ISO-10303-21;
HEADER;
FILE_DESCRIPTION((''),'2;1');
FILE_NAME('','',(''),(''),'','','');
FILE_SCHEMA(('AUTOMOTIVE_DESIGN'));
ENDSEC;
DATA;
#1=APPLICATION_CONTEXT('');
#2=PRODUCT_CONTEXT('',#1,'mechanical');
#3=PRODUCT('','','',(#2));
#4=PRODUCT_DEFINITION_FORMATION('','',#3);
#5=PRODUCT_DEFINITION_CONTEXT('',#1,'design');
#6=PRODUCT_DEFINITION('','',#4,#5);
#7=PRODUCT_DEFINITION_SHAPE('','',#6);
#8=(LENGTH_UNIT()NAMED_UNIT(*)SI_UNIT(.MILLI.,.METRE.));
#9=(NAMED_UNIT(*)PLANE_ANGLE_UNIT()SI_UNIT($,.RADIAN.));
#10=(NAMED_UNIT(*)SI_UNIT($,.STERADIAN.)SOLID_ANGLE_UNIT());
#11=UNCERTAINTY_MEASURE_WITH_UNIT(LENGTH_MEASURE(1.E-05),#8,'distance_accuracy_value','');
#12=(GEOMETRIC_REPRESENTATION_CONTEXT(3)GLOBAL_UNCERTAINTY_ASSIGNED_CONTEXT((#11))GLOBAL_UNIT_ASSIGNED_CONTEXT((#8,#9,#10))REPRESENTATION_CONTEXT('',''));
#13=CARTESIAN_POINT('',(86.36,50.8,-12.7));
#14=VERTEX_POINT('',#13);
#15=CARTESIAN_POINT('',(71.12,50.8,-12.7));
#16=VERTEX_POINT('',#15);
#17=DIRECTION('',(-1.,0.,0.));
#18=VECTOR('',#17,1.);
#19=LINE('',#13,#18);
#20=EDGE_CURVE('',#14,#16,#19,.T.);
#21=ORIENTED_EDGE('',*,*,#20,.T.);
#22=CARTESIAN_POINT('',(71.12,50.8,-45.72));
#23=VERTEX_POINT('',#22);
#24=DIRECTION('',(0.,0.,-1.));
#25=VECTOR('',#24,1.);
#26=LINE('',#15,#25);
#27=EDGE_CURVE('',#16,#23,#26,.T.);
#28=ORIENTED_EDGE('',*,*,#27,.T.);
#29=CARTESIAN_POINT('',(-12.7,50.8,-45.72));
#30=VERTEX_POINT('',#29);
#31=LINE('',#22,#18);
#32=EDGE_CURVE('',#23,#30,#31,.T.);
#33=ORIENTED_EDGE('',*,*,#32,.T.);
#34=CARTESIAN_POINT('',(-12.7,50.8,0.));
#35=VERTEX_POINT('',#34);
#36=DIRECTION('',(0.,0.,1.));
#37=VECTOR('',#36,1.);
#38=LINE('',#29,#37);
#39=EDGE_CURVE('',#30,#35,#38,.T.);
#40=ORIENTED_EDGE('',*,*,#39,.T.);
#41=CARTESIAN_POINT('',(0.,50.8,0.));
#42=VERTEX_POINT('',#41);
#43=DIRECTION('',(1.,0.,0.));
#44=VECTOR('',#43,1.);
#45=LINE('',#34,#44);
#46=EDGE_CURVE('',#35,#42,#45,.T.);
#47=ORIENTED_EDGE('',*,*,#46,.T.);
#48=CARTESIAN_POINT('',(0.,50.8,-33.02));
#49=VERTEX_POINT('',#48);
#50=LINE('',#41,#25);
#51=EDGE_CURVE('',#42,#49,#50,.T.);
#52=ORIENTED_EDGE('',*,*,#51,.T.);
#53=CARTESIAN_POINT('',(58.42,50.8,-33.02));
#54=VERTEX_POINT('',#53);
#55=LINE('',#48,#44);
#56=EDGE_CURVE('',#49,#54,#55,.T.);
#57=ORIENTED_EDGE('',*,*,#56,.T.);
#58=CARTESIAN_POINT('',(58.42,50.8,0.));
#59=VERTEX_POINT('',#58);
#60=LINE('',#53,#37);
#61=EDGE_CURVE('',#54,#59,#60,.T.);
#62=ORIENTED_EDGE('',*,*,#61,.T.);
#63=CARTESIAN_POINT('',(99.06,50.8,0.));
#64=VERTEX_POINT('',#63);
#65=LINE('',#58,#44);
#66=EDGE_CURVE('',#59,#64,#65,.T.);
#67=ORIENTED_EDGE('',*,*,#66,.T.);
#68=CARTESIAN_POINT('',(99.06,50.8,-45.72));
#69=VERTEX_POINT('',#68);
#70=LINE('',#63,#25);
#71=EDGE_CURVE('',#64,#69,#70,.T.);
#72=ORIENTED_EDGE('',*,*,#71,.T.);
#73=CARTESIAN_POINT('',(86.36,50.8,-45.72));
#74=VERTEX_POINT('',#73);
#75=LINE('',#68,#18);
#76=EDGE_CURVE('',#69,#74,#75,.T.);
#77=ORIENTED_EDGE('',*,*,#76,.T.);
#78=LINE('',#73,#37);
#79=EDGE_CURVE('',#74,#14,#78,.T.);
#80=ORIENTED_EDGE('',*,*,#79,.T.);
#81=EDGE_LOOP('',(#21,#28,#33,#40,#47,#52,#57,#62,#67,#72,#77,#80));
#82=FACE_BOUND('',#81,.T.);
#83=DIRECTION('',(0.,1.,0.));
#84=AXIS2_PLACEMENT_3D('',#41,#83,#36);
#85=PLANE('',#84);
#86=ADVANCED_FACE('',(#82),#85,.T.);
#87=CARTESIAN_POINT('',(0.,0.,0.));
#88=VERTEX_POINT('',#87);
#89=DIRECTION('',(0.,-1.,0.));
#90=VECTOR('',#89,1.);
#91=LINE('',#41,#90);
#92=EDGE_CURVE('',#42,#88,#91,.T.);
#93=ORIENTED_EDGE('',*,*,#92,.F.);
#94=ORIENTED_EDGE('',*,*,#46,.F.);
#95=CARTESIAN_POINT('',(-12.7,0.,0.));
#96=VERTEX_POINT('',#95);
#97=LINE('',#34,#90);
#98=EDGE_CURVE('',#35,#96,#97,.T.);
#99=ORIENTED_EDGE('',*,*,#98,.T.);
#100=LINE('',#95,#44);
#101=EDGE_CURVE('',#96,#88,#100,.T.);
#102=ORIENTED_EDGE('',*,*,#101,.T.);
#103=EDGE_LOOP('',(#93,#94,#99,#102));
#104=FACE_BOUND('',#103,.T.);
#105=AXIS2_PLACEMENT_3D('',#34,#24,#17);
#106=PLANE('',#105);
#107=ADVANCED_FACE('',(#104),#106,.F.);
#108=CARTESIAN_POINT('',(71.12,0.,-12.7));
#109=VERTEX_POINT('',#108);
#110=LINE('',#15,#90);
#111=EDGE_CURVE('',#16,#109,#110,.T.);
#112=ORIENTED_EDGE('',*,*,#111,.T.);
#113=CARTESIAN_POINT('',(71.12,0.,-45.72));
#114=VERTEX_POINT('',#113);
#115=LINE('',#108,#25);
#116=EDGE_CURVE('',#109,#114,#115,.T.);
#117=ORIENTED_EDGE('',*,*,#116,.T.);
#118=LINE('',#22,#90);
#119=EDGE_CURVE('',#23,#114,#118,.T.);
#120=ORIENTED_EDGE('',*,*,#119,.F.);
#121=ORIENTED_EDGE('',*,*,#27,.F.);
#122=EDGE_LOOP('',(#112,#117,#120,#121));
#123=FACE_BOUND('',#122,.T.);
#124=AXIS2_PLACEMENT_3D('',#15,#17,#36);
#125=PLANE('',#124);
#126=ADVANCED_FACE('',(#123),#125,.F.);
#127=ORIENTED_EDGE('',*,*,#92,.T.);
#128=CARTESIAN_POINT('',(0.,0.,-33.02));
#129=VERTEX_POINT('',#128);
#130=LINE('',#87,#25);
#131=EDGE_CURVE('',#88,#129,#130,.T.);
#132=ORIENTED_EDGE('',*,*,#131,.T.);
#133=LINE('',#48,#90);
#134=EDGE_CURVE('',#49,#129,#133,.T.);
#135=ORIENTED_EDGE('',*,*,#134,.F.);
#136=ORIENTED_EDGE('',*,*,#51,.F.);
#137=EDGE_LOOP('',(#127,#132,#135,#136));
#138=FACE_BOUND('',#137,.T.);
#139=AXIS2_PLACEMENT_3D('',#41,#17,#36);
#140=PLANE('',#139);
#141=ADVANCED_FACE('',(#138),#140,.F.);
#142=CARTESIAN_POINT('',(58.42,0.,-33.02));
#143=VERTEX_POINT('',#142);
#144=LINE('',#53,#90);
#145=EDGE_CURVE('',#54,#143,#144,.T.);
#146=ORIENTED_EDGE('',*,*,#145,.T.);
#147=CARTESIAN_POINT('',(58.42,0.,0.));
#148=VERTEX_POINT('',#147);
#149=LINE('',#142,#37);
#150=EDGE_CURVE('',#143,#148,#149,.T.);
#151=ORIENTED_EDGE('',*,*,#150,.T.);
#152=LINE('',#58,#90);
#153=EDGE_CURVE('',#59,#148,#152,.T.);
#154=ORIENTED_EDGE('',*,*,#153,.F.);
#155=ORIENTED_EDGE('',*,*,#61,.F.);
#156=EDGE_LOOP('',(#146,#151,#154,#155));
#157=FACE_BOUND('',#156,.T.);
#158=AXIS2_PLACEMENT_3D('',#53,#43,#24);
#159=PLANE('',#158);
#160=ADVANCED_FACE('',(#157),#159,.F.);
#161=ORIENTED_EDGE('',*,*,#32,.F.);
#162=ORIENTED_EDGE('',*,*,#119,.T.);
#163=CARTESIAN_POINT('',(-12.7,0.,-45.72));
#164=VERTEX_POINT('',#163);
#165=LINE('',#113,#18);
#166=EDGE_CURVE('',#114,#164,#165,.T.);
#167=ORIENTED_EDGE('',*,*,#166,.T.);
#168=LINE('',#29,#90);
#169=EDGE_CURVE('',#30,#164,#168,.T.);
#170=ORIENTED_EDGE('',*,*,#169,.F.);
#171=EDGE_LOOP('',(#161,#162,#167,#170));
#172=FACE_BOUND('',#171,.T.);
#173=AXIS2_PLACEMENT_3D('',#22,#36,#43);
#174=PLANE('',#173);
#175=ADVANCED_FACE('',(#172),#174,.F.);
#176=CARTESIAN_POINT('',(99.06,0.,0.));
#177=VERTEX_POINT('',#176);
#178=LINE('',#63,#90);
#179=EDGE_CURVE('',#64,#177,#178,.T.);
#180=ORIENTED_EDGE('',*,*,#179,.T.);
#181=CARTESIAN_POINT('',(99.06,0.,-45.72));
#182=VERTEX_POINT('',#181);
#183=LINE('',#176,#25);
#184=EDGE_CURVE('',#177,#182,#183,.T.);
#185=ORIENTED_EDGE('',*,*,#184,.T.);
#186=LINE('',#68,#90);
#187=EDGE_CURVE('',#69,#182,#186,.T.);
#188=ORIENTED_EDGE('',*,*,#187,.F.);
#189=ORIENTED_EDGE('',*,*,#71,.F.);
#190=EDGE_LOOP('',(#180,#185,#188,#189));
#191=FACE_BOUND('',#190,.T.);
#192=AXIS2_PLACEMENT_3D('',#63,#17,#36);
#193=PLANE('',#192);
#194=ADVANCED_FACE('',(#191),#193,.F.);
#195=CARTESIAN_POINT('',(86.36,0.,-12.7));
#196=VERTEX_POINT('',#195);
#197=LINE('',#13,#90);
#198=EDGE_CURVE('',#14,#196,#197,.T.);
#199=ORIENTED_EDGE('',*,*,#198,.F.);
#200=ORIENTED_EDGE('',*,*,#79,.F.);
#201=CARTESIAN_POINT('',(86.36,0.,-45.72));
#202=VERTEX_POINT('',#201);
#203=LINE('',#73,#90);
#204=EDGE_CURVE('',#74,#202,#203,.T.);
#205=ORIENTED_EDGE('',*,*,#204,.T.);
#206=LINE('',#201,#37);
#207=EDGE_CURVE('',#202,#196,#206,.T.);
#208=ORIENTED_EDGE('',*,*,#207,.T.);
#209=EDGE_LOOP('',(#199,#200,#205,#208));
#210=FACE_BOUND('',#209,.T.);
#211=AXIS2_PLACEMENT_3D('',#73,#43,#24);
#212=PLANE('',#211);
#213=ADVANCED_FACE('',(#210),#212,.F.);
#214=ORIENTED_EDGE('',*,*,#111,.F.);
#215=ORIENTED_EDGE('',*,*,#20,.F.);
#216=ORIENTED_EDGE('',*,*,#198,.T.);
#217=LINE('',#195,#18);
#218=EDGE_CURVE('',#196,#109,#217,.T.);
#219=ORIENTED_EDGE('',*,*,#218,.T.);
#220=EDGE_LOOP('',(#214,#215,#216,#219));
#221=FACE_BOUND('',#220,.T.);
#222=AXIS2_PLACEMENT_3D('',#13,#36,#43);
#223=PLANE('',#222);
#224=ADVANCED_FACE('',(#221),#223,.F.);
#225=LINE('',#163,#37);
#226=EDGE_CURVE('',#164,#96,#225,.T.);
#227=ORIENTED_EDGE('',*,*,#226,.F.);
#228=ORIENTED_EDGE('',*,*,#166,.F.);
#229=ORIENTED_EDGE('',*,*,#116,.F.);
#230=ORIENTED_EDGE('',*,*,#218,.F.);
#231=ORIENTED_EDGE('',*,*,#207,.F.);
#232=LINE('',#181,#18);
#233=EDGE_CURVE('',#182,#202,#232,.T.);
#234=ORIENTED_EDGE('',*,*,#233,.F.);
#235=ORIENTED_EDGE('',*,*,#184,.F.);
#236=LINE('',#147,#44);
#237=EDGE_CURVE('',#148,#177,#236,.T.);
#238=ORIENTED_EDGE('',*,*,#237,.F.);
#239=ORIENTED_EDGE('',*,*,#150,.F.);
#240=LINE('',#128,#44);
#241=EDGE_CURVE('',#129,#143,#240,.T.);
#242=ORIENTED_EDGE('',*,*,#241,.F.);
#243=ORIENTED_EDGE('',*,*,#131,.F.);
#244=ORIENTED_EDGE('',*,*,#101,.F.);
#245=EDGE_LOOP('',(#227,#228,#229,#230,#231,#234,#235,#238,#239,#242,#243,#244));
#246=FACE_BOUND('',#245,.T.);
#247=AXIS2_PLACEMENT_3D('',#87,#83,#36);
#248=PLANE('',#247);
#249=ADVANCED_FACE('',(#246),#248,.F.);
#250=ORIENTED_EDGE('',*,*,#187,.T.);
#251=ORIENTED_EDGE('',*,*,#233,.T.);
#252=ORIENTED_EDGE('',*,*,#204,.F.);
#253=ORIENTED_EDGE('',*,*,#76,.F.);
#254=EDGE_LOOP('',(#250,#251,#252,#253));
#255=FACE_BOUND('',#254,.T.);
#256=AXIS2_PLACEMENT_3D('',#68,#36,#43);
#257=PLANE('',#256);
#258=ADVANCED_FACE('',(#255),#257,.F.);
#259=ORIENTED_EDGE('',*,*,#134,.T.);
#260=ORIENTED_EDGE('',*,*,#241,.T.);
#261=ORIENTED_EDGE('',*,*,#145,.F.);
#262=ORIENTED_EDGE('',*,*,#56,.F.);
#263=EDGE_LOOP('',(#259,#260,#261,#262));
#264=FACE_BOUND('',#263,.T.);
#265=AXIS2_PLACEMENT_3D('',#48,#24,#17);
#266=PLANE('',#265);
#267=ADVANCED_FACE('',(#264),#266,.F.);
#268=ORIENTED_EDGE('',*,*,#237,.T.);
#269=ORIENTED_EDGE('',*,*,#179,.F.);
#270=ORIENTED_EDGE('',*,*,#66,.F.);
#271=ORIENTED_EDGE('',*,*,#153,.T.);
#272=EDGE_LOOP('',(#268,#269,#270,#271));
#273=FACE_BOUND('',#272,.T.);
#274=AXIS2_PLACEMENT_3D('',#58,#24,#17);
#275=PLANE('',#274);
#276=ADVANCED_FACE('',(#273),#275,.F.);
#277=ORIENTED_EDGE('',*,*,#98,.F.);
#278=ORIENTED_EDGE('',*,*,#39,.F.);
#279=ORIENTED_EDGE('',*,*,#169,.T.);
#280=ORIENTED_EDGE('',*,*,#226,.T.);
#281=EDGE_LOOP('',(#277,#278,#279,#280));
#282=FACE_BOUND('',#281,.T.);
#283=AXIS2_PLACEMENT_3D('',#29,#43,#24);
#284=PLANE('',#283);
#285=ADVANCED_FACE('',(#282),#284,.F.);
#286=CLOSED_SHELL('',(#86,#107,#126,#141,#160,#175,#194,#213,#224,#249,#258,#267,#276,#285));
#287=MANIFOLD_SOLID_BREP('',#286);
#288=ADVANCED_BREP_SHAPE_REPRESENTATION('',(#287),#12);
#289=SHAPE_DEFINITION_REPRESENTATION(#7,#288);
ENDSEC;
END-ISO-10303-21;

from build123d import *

# Parameters (mm, degrees)
BOSS_EXTRUDE1_DEPTH = 50.8


with BuildPart() as part:
    # Sketch1 → Boss-Extrude1 (new body)
    with BuildSketch(Plane(origin=(0, 0, 0), x_dir=(1, 0, 0), z_dir=(0, 1, 0))):
        Polygon((0, 0), (0, 33.02), (58.42, 33.02), (58.42, 0), (99.06, 0), (99.06, 45.72), (86.36, 45.72), (86.36, 12.7), (71.12, 12.7), (71.12, 45.72), (-12.7, 45.72), (-12.7, 0), align=None)
    extrude(amount=BOSS_EXTRUDE1_DEPTH)


solid = part.part
